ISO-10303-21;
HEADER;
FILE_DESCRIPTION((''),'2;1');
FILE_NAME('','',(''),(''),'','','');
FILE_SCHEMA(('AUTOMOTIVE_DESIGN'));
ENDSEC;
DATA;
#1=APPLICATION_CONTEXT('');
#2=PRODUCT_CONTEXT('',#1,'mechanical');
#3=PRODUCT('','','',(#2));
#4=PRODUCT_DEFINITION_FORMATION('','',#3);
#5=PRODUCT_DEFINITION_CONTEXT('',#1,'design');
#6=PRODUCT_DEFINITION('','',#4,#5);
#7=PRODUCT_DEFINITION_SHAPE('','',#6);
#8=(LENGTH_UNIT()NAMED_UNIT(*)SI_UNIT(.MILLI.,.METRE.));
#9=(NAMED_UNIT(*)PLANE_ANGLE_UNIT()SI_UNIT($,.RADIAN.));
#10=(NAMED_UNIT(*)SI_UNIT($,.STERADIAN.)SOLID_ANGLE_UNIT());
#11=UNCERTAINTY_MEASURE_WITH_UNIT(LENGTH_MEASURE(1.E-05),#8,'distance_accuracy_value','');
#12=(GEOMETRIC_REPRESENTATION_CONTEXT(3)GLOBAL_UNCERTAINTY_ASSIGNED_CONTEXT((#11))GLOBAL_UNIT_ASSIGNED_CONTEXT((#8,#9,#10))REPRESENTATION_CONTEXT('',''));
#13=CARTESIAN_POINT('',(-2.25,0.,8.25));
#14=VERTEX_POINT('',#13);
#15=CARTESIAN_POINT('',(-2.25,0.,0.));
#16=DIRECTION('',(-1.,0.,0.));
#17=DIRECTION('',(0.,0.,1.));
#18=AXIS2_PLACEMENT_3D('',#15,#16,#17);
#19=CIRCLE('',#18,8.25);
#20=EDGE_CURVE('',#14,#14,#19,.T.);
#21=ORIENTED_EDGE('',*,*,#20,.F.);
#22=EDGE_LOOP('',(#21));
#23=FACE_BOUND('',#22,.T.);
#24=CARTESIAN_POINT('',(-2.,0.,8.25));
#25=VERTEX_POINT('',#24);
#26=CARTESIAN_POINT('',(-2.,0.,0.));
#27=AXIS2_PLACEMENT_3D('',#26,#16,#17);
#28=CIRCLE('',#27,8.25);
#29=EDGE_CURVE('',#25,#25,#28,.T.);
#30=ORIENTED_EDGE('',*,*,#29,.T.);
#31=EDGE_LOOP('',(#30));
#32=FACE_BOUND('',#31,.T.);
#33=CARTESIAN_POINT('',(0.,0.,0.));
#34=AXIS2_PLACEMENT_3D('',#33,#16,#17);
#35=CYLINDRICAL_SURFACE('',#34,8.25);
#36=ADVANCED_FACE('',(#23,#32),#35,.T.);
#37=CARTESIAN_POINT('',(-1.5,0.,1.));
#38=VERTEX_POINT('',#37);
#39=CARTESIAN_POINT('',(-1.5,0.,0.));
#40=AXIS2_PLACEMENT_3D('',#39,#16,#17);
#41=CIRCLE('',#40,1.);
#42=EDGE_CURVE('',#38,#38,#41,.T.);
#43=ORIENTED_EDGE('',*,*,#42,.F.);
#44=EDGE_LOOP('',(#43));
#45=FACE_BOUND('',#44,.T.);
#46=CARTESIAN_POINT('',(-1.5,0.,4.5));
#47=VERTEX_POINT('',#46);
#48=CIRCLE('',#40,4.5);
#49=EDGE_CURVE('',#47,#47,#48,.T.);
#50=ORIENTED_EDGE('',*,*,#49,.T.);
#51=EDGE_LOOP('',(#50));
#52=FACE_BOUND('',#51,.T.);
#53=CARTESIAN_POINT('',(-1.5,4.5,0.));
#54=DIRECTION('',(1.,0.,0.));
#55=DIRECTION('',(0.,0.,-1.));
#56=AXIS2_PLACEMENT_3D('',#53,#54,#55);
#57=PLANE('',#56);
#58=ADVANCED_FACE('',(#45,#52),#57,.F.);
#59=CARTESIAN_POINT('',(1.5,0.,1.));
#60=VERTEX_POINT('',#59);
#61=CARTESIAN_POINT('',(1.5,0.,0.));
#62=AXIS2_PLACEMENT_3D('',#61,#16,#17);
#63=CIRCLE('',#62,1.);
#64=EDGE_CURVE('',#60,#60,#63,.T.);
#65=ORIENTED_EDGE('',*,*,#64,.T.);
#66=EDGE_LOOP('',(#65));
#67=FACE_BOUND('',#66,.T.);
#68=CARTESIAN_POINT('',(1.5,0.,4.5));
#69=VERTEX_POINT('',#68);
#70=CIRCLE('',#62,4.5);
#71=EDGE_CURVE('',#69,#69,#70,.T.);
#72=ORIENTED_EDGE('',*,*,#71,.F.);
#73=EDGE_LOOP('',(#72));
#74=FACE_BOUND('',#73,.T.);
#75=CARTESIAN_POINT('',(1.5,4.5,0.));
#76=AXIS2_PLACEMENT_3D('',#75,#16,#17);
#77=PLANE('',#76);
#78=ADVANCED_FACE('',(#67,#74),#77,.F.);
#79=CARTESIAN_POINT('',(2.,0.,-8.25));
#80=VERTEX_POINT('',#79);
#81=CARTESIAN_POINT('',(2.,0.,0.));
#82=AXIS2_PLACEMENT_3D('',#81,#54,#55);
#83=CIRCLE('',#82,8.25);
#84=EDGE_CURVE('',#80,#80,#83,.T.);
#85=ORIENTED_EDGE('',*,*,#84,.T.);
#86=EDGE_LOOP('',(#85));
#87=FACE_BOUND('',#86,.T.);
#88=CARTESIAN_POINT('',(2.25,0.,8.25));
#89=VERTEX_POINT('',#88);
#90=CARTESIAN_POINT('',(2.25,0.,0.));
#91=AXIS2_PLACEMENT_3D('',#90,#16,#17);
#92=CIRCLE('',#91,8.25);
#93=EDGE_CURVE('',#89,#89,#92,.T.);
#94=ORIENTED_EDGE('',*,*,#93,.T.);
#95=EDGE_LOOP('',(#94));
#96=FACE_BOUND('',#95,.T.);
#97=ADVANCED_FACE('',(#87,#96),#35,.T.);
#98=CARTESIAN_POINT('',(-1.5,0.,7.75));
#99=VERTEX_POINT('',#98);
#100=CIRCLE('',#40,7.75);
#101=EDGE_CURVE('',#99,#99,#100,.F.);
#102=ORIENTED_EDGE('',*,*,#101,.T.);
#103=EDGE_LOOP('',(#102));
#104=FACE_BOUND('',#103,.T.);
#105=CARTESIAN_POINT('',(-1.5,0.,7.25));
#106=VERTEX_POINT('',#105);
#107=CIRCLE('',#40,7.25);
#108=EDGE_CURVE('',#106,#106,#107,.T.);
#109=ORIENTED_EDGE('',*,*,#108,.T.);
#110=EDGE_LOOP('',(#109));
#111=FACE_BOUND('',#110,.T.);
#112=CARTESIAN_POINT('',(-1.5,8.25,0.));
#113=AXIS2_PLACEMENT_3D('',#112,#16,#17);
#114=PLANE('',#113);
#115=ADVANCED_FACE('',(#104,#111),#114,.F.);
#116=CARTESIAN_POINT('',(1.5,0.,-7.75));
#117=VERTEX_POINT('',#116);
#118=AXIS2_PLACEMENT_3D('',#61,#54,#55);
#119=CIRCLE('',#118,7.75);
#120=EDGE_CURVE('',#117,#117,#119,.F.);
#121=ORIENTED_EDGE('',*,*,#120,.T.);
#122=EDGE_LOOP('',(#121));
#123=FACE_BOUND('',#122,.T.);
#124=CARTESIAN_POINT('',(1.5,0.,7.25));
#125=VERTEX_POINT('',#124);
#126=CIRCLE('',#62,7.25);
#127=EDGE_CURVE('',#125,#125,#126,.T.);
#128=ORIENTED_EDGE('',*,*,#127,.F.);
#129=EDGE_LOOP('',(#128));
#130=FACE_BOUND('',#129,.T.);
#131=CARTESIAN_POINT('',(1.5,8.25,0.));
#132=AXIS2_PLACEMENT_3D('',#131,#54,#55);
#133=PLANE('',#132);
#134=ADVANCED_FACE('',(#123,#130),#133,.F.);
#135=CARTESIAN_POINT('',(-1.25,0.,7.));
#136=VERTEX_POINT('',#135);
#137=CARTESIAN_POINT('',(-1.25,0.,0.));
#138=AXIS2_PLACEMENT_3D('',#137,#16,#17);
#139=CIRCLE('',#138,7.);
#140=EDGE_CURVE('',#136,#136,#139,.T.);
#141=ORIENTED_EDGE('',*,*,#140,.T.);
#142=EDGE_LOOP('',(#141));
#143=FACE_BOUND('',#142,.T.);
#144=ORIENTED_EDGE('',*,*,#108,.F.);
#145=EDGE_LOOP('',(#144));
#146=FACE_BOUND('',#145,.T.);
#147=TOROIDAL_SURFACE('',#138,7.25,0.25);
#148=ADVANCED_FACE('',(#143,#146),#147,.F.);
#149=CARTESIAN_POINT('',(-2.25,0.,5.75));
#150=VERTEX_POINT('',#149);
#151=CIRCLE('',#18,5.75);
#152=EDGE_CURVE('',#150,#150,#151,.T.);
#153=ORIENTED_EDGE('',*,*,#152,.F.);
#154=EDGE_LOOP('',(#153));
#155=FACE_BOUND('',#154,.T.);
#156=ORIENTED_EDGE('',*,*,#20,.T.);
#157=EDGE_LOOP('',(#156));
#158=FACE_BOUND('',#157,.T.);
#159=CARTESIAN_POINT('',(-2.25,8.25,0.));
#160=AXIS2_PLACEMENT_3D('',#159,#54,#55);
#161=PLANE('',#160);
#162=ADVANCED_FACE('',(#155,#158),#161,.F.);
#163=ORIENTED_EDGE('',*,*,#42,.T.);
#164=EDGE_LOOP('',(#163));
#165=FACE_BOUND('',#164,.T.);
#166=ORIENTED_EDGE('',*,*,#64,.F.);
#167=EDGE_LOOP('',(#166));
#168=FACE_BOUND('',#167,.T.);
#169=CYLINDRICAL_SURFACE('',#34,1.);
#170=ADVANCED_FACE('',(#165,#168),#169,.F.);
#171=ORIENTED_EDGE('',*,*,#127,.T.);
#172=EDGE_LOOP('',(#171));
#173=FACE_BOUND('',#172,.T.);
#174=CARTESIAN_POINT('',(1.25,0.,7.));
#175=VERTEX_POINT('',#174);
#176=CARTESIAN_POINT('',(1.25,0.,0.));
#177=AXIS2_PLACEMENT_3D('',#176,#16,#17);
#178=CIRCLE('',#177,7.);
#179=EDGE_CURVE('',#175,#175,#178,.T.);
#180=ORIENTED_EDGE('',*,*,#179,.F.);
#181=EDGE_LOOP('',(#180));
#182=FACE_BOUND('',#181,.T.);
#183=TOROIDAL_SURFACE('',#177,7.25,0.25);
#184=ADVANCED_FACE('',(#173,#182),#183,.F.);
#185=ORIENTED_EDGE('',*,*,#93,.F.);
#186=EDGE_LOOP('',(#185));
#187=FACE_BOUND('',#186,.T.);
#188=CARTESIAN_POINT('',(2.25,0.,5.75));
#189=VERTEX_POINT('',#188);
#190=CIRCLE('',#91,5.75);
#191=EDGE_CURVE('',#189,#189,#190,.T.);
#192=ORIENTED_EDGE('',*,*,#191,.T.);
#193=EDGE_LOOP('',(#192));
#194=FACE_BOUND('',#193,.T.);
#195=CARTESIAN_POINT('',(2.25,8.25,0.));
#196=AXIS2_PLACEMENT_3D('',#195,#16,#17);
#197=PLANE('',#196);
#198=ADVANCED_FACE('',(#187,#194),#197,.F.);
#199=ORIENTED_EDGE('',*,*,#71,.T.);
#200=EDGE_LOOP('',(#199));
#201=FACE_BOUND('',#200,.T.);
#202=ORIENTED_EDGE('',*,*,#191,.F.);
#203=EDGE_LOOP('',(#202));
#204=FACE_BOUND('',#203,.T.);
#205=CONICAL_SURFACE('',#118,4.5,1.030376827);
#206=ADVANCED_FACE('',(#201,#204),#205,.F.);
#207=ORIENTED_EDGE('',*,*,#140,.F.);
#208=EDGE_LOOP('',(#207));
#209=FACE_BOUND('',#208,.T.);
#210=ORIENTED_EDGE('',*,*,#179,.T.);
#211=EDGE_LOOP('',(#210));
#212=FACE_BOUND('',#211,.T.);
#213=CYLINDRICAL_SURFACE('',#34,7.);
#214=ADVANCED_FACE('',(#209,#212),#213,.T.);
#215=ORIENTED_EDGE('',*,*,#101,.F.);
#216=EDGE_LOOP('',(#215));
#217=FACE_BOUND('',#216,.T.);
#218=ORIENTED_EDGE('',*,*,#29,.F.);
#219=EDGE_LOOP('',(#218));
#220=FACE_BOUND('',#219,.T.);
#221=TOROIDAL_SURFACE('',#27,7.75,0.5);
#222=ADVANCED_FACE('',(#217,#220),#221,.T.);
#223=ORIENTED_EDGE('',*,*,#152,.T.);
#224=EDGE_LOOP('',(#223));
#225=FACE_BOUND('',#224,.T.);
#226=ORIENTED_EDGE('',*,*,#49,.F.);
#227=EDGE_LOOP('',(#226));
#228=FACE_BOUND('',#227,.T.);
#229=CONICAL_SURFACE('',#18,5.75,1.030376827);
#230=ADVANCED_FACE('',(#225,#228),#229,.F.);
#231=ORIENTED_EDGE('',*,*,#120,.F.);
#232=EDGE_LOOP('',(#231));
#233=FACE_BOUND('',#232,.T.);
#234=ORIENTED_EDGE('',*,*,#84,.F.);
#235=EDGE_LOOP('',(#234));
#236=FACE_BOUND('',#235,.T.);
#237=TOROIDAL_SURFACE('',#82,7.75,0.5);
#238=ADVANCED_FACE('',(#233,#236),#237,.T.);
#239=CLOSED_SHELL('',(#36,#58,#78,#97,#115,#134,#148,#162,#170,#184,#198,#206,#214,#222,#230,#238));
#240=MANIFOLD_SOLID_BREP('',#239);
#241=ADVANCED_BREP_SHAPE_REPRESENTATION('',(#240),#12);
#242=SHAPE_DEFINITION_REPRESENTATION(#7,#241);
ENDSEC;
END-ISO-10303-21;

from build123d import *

# Parameters (mm, degrees)
FILLET1_R = 0.5


with BuildPart() as part:
    # Sketch1 → Revolve1 (revolve)
    with BuildSketch(Plane.XY):
        with BuildLine():
            Line((-1.5, 1), (1.5, 1))
            Line((1.5, 1), (1.5, 4.5))
            Line((1.5, 4.5), (2.25, 5.75))
            Line((2.25, 5.75), (2.25, 8.25))
            Line((2.25, 8.25), (1.5, 8.25))
            Line((1.5, 8.25), (1.5, 7.25))
            ThreePointArc((1.5, 7.25), (1.426776695, 7.073223305), (1.25, 7))
            Line((1.25, 7), (-1.25, 7))
            ThreePointArc((-1.25, 7), (-1.426776695, 7.073223305), (-1.5, 7.25))
            Line((-1.5, 7.25), (-1.5, 8.25))
            Line((-1.5, 8.25), (-2.25, 8.25))
            Line((-2.25, 8.25), (-2.25, 5.75))
            Line((-2.25, 5.75), (-1.5, 4.5))
            Line((-1.5, 4.5), (-1.5, 1))
        make_face()
    revolve(axis=Axis((0, 0, 0), (1, 0, 0)))

    # Fillet1
    fillet1_edges = [part.edges().sort_by_distance(p)[0] for p in [
        (-1.5, -8.25, 0),
        (1.5, -8.25, 0),
    ]]
    fillet(fillet1_edges, radius=FILLET1_R)


solid = part.part
